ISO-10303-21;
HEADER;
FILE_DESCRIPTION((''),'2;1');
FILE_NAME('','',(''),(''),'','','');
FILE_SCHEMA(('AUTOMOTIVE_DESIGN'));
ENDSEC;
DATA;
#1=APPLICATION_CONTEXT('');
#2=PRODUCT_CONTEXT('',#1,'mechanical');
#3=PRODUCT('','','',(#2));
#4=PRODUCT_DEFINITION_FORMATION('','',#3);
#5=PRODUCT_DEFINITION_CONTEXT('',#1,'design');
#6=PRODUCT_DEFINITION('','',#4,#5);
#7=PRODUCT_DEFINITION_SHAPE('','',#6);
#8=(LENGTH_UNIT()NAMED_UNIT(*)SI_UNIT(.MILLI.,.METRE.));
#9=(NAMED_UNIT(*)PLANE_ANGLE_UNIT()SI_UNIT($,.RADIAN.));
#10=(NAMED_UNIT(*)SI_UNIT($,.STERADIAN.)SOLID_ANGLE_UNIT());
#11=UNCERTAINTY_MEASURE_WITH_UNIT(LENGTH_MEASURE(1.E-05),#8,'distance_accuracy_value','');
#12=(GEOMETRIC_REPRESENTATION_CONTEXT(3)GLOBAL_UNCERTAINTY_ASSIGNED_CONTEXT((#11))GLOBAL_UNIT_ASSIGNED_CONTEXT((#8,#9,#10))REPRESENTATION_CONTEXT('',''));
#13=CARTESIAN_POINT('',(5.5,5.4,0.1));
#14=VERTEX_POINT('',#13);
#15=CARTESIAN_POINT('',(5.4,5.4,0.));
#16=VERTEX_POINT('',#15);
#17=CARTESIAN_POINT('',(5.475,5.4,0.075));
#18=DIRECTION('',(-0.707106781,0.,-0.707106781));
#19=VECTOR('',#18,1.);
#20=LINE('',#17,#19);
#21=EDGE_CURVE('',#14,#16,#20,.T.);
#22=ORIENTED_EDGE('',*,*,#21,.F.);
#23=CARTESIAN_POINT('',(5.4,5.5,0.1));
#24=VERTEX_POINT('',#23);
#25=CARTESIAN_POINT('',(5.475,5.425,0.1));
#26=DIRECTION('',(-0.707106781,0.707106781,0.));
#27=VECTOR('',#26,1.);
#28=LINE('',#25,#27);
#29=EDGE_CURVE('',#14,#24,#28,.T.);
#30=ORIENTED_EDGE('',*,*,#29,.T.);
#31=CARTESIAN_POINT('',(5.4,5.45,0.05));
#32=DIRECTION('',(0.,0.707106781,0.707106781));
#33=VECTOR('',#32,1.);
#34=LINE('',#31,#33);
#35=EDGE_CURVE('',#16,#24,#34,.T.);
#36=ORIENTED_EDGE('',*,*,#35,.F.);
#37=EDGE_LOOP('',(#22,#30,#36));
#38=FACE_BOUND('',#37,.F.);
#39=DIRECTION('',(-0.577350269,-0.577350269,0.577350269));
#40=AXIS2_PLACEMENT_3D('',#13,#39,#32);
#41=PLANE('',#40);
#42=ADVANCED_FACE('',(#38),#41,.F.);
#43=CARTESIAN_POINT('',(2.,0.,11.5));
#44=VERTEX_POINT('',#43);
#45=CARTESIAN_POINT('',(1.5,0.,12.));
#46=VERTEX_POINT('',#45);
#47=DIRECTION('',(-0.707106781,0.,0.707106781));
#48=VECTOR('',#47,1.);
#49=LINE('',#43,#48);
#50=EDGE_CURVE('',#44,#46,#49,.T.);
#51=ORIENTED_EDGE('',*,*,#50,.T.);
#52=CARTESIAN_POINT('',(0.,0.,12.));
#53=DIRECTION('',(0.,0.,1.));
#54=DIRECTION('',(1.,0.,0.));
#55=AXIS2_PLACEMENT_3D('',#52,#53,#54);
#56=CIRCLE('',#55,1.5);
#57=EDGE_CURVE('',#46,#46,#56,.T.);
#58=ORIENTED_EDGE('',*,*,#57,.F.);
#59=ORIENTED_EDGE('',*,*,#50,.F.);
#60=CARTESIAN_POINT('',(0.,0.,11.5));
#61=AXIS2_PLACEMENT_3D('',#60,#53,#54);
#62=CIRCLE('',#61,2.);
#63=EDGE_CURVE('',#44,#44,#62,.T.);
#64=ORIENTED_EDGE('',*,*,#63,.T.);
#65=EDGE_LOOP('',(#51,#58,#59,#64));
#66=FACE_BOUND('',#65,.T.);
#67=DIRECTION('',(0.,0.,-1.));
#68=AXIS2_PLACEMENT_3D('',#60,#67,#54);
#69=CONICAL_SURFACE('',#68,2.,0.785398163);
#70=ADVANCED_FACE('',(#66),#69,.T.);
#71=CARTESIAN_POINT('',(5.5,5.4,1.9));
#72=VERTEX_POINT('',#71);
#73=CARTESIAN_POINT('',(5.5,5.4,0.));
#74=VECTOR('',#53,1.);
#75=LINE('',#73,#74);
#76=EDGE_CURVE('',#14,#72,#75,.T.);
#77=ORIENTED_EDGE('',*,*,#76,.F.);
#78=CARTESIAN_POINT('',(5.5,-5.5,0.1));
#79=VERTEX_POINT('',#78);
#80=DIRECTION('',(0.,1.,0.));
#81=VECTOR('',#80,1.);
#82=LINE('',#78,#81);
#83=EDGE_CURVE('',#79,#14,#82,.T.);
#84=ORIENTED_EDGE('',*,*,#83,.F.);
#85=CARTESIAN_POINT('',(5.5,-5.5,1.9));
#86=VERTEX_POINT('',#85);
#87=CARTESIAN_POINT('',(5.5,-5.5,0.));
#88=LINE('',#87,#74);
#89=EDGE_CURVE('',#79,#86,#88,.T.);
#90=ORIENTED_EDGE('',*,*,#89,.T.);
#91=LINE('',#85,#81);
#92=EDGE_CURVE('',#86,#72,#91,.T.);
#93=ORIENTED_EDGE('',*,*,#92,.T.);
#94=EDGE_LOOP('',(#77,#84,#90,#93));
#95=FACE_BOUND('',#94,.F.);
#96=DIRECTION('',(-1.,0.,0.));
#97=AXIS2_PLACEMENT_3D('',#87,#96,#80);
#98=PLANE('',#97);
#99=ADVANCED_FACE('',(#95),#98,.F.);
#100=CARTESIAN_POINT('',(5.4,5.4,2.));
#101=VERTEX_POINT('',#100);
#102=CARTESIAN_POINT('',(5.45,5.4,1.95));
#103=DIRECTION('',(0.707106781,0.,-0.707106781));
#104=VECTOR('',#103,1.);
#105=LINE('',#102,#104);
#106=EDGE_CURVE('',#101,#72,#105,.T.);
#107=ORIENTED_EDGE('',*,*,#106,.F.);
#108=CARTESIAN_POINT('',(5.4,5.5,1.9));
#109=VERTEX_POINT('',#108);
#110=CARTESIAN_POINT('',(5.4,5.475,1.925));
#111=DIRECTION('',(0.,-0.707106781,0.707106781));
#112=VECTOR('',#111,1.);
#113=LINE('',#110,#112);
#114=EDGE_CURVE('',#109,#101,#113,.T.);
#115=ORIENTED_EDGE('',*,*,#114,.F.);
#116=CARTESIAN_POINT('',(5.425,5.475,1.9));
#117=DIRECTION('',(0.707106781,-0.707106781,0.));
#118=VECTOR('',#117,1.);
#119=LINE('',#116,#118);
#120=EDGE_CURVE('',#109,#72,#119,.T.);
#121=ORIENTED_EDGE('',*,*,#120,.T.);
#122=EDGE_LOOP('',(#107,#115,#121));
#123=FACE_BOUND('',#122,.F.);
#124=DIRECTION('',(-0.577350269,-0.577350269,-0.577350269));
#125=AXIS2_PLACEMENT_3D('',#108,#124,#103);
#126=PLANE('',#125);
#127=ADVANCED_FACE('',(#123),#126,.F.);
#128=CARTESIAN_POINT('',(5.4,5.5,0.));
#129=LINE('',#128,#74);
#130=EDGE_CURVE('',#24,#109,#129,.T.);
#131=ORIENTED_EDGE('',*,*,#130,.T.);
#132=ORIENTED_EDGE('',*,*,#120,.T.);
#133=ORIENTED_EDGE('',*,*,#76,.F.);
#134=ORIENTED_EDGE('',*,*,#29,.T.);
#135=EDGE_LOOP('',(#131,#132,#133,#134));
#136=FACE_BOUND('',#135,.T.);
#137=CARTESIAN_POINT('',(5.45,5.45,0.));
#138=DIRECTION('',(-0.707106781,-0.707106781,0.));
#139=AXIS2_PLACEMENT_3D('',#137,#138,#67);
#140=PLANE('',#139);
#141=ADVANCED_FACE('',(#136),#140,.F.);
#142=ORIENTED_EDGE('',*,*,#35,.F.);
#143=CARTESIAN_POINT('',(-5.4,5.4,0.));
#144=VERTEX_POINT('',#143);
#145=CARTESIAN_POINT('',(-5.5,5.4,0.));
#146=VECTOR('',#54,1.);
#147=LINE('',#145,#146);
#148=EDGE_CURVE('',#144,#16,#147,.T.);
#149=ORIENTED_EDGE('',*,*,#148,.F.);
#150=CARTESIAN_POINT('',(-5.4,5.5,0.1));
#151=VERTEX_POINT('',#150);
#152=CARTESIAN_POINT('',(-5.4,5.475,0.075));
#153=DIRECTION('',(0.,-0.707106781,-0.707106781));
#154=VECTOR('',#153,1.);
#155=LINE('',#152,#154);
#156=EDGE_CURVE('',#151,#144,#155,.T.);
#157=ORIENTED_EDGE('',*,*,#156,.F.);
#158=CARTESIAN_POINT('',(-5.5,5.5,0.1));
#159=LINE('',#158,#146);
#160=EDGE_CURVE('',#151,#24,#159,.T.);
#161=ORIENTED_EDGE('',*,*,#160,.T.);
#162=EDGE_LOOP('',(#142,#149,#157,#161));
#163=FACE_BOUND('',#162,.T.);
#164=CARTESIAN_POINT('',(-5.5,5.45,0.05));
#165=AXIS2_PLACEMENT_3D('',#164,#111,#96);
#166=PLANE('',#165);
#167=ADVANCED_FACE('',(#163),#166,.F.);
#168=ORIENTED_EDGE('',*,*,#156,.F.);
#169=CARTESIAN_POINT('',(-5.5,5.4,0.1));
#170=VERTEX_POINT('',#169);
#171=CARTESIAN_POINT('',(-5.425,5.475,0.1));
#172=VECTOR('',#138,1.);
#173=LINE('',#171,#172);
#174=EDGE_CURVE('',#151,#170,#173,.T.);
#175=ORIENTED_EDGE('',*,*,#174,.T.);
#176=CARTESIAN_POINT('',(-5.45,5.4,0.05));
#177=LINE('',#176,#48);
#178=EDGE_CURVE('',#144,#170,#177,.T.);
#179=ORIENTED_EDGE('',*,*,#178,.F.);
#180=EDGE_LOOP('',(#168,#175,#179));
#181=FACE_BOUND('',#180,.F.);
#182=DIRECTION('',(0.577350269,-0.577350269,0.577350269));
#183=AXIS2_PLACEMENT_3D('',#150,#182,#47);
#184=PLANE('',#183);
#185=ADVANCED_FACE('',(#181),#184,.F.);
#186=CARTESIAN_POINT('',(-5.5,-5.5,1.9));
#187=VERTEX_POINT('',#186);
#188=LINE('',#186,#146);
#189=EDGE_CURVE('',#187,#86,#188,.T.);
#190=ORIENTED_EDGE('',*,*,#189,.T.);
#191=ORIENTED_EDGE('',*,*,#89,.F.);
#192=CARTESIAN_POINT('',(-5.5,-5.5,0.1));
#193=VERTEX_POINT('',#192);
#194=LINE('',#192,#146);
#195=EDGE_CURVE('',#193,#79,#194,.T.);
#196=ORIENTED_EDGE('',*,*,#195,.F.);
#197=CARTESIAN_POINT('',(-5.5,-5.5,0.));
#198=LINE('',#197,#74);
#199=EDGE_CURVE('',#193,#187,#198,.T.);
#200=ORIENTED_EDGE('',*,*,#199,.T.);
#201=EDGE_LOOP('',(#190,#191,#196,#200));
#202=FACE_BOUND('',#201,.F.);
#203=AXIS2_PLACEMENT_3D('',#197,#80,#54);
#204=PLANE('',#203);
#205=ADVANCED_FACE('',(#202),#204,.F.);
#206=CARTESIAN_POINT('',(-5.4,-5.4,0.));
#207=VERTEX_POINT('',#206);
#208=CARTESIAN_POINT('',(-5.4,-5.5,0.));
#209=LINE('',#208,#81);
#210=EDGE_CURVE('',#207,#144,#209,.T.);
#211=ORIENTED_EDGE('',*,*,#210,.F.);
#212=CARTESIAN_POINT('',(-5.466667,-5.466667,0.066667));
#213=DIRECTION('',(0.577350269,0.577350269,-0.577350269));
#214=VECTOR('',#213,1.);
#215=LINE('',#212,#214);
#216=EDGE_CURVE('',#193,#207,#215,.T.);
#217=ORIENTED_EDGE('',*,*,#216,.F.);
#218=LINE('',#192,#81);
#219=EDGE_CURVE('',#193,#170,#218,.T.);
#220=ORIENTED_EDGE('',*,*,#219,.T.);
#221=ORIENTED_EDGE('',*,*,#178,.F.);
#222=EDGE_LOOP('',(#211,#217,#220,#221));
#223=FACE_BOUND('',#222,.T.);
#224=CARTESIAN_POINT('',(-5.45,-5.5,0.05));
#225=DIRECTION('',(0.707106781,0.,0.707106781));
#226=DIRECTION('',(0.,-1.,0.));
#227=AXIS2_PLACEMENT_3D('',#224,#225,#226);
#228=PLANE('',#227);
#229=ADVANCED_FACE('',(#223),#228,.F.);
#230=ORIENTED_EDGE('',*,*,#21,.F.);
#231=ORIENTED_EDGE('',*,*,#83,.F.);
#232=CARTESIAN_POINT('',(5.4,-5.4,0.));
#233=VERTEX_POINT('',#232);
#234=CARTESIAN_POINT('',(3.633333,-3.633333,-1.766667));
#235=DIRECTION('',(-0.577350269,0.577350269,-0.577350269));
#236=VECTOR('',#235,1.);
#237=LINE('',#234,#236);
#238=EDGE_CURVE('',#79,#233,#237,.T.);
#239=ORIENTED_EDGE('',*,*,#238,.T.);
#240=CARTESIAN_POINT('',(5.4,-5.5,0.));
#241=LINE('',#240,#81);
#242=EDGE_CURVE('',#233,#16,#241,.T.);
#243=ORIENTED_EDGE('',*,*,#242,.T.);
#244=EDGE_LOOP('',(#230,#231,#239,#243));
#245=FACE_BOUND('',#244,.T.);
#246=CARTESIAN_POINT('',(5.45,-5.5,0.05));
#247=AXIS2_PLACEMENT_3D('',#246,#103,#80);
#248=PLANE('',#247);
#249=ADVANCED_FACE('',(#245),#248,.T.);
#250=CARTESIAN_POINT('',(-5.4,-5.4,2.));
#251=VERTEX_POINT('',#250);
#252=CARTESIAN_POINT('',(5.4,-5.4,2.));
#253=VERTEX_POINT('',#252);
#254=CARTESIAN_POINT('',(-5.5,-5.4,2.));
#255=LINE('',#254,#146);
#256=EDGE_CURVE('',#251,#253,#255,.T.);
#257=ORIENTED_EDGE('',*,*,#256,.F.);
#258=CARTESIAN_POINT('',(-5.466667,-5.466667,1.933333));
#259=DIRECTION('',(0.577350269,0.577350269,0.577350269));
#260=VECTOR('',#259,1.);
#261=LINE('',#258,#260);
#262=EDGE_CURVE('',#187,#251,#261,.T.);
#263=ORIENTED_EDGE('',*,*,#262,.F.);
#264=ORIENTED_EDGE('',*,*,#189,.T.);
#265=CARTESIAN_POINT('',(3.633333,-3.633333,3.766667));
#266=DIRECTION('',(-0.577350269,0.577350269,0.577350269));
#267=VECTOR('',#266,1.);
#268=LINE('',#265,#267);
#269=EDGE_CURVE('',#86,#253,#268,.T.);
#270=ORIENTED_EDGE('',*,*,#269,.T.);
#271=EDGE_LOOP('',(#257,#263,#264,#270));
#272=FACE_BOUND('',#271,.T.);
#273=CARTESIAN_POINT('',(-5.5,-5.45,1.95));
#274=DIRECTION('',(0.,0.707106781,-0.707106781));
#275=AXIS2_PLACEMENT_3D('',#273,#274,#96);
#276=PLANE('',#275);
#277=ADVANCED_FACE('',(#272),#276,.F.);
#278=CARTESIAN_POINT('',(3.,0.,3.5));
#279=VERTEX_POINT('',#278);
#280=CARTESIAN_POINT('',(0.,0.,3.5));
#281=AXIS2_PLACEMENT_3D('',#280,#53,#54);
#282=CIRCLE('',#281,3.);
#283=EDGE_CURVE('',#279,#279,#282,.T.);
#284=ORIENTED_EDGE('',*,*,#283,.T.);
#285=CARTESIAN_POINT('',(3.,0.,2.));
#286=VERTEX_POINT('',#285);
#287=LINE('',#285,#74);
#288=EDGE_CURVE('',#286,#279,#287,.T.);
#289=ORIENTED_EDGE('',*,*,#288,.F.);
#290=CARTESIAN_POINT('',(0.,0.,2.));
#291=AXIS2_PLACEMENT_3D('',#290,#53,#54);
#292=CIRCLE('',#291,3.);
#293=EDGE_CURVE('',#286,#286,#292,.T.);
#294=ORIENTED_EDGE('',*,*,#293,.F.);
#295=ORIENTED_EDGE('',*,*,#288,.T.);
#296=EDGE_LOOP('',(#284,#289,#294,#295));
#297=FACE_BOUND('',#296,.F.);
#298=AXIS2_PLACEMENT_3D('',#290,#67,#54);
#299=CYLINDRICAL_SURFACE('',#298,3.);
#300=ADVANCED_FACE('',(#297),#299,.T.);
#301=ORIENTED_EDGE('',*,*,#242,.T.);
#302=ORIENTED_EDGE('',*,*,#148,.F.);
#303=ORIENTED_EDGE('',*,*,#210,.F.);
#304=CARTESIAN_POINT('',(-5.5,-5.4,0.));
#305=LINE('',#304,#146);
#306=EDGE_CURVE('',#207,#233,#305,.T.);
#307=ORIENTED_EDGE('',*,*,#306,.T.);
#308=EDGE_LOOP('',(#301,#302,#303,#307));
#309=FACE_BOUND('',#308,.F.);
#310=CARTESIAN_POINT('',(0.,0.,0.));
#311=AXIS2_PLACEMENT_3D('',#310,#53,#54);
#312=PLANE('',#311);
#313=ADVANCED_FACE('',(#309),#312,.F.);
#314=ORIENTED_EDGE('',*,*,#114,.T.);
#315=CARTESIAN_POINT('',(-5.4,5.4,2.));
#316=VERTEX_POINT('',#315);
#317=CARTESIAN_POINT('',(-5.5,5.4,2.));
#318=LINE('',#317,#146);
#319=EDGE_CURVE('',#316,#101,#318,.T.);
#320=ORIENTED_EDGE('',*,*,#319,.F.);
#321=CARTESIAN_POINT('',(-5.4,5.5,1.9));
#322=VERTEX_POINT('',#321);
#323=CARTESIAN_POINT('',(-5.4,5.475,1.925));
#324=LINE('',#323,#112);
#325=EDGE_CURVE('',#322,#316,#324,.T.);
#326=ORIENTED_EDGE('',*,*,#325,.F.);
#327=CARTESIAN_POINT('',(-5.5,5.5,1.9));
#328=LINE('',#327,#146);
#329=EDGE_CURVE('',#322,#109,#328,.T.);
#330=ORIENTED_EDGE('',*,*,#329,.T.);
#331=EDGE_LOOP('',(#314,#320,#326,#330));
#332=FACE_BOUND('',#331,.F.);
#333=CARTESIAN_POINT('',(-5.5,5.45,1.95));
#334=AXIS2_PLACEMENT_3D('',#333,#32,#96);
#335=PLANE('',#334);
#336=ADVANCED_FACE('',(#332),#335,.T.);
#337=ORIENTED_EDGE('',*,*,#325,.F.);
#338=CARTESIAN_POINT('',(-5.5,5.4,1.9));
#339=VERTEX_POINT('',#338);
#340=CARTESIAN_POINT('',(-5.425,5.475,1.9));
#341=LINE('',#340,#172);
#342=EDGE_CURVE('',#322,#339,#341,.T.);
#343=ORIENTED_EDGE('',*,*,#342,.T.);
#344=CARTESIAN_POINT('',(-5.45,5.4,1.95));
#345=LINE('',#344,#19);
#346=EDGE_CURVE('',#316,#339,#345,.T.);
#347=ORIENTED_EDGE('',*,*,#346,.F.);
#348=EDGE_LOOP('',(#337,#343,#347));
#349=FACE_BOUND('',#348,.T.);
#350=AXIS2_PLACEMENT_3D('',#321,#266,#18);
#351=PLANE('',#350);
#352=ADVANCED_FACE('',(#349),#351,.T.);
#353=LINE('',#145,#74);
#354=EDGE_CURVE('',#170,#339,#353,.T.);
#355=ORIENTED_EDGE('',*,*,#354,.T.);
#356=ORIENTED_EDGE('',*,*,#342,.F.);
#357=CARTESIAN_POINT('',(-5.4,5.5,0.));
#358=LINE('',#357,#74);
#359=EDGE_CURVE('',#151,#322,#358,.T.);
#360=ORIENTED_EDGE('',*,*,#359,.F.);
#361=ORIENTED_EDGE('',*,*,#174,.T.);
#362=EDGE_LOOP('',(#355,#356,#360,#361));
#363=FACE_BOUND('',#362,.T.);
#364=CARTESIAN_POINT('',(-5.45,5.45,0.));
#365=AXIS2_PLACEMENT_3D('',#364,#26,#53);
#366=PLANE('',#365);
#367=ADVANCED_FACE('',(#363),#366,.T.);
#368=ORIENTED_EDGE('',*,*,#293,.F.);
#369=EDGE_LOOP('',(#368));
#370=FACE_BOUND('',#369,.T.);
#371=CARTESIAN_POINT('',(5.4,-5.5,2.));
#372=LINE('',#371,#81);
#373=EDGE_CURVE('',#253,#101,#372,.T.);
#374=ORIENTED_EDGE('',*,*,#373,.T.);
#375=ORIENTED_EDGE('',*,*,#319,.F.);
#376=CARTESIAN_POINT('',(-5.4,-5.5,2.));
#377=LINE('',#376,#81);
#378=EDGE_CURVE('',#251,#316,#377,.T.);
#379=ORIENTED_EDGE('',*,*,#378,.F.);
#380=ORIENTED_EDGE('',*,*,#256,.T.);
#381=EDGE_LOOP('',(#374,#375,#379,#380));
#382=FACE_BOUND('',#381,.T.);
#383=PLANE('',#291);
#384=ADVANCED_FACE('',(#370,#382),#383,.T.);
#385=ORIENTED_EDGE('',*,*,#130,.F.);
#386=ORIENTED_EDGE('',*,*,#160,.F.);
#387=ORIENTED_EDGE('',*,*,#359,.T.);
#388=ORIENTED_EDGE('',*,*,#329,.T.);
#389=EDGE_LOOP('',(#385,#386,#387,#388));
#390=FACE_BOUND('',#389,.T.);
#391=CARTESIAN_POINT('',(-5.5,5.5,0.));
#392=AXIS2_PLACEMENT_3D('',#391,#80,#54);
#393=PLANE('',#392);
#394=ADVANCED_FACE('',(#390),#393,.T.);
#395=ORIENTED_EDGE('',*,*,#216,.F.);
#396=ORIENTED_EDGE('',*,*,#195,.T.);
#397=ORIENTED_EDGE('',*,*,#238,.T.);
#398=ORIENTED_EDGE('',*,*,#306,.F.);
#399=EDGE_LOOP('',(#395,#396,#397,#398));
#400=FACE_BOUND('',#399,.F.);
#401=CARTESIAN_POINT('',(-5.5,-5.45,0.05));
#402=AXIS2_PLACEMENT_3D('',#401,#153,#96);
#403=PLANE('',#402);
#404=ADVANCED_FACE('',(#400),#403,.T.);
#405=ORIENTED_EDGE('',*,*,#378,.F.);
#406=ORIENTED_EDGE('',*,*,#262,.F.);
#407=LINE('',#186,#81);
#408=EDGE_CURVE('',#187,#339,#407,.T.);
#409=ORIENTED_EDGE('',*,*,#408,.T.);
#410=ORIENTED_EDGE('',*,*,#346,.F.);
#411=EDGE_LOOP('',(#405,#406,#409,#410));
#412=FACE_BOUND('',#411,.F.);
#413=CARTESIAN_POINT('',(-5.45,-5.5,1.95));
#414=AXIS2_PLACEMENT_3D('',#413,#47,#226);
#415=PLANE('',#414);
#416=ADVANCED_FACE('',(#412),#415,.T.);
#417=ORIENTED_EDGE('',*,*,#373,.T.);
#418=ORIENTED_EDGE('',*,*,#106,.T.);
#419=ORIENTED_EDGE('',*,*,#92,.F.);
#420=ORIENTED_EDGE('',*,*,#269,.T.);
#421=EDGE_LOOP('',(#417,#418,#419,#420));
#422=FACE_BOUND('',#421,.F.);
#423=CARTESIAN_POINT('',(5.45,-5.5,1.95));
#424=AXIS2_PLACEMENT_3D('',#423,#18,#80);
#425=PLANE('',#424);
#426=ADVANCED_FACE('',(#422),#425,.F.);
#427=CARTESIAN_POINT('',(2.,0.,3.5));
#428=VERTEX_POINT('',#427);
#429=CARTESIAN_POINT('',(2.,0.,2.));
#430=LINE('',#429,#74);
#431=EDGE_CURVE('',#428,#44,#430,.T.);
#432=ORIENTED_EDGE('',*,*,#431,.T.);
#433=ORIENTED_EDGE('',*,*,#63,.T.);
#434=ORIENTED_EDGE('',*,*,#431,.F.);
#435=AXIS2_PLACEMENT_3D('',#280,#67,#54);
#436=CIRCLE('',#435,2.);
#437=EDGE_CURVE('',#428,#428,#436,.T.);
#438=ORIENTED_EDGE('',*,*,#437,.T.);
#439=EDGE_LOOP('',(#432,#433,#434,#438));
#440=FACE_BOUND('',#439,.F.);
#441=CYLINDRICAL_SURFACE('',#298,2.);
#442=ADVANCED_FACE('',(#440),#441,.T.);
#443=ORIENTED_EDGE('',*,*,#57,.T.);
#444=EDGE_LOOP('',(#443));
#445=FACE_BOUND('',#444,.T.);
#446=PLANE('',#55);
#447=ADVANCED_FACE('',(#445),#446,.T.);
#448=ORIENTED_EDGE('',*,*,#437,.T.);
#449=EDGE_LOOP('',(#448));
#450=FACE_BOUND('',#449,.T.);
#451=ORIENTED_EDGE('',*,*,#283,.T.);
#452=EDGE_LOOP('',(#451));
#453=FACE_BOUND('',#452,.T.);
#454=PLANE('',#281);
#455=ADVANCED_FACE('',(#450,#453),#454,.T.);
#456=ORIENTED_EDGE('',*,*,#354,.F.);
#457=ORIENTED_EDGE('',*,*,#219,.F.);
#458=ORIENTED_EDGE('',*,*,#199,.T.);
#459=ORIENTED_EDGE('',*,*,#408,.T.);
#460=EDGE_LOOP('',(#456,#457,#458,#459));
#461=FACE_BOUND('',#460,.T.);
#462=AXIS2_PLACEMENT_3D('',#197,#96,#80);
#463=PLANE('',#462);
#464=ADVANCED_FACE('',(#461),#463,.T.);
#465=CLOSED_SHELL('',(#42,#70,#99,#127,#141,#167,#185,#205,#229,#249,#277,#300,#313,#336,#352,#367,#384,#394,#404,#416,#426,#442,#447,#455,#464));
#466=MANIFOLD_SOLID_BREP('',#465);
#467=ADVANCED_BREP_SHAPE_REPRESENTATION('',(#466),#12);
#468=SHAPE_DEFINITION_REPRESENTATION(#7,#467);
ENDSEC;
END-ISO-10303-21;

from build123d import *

# Parameters (mm, degrees)
SKETCH1_W           = 11
SKETCH1_H           = 11
BOSS_EXTRUDE1_DEPTH = 2
SKETCH2_R           = 2
BOSS_EXTRUDE2_DEPTH = 10
CHAMFER1_SIZE       = 0.1
SKETCH3_R           = 3
BOSS_EXTRUDE3_DEPTH = 1.5
CHAMFER2_SIZE       = 0.5


with BuildPart() as part:
    # Sketch1 → Boss-Extrude1 (new body)
    with BuildSketch(Plane.XY):
        Rectangle(SKETCH1_W, SKETCH1_H)
    extrude(amount=BOSS_EXTRUDE1_DEPTH)

    # Sketch2 → Boss-Extrude2 (add)
    with BuildSketch(Plane.XY.offset(2)):
        Circle(SKETCH2_R)
    extrude(amount=BOSS_EXTRUDE2_DEPTH)

    # Chamfer1
    chamfer1_edges = [part.edges().sort_by_distance(p)[0] for p in [
        (-5.5, 0, 2),
        (0, -5.5, 2),
        (5.5, 0, 2),
        (0, -5.5, 0),
        (-5.5, 0, 0),
        (0, 5.5, 0),
        (5.5, 0, 0),
        (0, 5.5, 2),
        (-5.5, 5.5, 1),
        (5.5, 5.5, 1),
    ]]
    chamfer(chamfer1_edges, length=CHAMFER1_SIZE)

    # Sketch3 → Boss-Extrude3 (add)
    with BuildSketch(Plane.XY.offset(2)):
        Circle(SKETCH3_R)
    extrude(amount=BOSS_EXTRUDE3_DEPTH)

    # Chamfer2
    chamfer2_edges = [part.edges().sort_by_distance(p)[0] for p in [
        (-2, 0, 12),
    ]]
    chamfer(chamfer2_edges, length=CHAMFER2_SIZE)


solid = part.part
